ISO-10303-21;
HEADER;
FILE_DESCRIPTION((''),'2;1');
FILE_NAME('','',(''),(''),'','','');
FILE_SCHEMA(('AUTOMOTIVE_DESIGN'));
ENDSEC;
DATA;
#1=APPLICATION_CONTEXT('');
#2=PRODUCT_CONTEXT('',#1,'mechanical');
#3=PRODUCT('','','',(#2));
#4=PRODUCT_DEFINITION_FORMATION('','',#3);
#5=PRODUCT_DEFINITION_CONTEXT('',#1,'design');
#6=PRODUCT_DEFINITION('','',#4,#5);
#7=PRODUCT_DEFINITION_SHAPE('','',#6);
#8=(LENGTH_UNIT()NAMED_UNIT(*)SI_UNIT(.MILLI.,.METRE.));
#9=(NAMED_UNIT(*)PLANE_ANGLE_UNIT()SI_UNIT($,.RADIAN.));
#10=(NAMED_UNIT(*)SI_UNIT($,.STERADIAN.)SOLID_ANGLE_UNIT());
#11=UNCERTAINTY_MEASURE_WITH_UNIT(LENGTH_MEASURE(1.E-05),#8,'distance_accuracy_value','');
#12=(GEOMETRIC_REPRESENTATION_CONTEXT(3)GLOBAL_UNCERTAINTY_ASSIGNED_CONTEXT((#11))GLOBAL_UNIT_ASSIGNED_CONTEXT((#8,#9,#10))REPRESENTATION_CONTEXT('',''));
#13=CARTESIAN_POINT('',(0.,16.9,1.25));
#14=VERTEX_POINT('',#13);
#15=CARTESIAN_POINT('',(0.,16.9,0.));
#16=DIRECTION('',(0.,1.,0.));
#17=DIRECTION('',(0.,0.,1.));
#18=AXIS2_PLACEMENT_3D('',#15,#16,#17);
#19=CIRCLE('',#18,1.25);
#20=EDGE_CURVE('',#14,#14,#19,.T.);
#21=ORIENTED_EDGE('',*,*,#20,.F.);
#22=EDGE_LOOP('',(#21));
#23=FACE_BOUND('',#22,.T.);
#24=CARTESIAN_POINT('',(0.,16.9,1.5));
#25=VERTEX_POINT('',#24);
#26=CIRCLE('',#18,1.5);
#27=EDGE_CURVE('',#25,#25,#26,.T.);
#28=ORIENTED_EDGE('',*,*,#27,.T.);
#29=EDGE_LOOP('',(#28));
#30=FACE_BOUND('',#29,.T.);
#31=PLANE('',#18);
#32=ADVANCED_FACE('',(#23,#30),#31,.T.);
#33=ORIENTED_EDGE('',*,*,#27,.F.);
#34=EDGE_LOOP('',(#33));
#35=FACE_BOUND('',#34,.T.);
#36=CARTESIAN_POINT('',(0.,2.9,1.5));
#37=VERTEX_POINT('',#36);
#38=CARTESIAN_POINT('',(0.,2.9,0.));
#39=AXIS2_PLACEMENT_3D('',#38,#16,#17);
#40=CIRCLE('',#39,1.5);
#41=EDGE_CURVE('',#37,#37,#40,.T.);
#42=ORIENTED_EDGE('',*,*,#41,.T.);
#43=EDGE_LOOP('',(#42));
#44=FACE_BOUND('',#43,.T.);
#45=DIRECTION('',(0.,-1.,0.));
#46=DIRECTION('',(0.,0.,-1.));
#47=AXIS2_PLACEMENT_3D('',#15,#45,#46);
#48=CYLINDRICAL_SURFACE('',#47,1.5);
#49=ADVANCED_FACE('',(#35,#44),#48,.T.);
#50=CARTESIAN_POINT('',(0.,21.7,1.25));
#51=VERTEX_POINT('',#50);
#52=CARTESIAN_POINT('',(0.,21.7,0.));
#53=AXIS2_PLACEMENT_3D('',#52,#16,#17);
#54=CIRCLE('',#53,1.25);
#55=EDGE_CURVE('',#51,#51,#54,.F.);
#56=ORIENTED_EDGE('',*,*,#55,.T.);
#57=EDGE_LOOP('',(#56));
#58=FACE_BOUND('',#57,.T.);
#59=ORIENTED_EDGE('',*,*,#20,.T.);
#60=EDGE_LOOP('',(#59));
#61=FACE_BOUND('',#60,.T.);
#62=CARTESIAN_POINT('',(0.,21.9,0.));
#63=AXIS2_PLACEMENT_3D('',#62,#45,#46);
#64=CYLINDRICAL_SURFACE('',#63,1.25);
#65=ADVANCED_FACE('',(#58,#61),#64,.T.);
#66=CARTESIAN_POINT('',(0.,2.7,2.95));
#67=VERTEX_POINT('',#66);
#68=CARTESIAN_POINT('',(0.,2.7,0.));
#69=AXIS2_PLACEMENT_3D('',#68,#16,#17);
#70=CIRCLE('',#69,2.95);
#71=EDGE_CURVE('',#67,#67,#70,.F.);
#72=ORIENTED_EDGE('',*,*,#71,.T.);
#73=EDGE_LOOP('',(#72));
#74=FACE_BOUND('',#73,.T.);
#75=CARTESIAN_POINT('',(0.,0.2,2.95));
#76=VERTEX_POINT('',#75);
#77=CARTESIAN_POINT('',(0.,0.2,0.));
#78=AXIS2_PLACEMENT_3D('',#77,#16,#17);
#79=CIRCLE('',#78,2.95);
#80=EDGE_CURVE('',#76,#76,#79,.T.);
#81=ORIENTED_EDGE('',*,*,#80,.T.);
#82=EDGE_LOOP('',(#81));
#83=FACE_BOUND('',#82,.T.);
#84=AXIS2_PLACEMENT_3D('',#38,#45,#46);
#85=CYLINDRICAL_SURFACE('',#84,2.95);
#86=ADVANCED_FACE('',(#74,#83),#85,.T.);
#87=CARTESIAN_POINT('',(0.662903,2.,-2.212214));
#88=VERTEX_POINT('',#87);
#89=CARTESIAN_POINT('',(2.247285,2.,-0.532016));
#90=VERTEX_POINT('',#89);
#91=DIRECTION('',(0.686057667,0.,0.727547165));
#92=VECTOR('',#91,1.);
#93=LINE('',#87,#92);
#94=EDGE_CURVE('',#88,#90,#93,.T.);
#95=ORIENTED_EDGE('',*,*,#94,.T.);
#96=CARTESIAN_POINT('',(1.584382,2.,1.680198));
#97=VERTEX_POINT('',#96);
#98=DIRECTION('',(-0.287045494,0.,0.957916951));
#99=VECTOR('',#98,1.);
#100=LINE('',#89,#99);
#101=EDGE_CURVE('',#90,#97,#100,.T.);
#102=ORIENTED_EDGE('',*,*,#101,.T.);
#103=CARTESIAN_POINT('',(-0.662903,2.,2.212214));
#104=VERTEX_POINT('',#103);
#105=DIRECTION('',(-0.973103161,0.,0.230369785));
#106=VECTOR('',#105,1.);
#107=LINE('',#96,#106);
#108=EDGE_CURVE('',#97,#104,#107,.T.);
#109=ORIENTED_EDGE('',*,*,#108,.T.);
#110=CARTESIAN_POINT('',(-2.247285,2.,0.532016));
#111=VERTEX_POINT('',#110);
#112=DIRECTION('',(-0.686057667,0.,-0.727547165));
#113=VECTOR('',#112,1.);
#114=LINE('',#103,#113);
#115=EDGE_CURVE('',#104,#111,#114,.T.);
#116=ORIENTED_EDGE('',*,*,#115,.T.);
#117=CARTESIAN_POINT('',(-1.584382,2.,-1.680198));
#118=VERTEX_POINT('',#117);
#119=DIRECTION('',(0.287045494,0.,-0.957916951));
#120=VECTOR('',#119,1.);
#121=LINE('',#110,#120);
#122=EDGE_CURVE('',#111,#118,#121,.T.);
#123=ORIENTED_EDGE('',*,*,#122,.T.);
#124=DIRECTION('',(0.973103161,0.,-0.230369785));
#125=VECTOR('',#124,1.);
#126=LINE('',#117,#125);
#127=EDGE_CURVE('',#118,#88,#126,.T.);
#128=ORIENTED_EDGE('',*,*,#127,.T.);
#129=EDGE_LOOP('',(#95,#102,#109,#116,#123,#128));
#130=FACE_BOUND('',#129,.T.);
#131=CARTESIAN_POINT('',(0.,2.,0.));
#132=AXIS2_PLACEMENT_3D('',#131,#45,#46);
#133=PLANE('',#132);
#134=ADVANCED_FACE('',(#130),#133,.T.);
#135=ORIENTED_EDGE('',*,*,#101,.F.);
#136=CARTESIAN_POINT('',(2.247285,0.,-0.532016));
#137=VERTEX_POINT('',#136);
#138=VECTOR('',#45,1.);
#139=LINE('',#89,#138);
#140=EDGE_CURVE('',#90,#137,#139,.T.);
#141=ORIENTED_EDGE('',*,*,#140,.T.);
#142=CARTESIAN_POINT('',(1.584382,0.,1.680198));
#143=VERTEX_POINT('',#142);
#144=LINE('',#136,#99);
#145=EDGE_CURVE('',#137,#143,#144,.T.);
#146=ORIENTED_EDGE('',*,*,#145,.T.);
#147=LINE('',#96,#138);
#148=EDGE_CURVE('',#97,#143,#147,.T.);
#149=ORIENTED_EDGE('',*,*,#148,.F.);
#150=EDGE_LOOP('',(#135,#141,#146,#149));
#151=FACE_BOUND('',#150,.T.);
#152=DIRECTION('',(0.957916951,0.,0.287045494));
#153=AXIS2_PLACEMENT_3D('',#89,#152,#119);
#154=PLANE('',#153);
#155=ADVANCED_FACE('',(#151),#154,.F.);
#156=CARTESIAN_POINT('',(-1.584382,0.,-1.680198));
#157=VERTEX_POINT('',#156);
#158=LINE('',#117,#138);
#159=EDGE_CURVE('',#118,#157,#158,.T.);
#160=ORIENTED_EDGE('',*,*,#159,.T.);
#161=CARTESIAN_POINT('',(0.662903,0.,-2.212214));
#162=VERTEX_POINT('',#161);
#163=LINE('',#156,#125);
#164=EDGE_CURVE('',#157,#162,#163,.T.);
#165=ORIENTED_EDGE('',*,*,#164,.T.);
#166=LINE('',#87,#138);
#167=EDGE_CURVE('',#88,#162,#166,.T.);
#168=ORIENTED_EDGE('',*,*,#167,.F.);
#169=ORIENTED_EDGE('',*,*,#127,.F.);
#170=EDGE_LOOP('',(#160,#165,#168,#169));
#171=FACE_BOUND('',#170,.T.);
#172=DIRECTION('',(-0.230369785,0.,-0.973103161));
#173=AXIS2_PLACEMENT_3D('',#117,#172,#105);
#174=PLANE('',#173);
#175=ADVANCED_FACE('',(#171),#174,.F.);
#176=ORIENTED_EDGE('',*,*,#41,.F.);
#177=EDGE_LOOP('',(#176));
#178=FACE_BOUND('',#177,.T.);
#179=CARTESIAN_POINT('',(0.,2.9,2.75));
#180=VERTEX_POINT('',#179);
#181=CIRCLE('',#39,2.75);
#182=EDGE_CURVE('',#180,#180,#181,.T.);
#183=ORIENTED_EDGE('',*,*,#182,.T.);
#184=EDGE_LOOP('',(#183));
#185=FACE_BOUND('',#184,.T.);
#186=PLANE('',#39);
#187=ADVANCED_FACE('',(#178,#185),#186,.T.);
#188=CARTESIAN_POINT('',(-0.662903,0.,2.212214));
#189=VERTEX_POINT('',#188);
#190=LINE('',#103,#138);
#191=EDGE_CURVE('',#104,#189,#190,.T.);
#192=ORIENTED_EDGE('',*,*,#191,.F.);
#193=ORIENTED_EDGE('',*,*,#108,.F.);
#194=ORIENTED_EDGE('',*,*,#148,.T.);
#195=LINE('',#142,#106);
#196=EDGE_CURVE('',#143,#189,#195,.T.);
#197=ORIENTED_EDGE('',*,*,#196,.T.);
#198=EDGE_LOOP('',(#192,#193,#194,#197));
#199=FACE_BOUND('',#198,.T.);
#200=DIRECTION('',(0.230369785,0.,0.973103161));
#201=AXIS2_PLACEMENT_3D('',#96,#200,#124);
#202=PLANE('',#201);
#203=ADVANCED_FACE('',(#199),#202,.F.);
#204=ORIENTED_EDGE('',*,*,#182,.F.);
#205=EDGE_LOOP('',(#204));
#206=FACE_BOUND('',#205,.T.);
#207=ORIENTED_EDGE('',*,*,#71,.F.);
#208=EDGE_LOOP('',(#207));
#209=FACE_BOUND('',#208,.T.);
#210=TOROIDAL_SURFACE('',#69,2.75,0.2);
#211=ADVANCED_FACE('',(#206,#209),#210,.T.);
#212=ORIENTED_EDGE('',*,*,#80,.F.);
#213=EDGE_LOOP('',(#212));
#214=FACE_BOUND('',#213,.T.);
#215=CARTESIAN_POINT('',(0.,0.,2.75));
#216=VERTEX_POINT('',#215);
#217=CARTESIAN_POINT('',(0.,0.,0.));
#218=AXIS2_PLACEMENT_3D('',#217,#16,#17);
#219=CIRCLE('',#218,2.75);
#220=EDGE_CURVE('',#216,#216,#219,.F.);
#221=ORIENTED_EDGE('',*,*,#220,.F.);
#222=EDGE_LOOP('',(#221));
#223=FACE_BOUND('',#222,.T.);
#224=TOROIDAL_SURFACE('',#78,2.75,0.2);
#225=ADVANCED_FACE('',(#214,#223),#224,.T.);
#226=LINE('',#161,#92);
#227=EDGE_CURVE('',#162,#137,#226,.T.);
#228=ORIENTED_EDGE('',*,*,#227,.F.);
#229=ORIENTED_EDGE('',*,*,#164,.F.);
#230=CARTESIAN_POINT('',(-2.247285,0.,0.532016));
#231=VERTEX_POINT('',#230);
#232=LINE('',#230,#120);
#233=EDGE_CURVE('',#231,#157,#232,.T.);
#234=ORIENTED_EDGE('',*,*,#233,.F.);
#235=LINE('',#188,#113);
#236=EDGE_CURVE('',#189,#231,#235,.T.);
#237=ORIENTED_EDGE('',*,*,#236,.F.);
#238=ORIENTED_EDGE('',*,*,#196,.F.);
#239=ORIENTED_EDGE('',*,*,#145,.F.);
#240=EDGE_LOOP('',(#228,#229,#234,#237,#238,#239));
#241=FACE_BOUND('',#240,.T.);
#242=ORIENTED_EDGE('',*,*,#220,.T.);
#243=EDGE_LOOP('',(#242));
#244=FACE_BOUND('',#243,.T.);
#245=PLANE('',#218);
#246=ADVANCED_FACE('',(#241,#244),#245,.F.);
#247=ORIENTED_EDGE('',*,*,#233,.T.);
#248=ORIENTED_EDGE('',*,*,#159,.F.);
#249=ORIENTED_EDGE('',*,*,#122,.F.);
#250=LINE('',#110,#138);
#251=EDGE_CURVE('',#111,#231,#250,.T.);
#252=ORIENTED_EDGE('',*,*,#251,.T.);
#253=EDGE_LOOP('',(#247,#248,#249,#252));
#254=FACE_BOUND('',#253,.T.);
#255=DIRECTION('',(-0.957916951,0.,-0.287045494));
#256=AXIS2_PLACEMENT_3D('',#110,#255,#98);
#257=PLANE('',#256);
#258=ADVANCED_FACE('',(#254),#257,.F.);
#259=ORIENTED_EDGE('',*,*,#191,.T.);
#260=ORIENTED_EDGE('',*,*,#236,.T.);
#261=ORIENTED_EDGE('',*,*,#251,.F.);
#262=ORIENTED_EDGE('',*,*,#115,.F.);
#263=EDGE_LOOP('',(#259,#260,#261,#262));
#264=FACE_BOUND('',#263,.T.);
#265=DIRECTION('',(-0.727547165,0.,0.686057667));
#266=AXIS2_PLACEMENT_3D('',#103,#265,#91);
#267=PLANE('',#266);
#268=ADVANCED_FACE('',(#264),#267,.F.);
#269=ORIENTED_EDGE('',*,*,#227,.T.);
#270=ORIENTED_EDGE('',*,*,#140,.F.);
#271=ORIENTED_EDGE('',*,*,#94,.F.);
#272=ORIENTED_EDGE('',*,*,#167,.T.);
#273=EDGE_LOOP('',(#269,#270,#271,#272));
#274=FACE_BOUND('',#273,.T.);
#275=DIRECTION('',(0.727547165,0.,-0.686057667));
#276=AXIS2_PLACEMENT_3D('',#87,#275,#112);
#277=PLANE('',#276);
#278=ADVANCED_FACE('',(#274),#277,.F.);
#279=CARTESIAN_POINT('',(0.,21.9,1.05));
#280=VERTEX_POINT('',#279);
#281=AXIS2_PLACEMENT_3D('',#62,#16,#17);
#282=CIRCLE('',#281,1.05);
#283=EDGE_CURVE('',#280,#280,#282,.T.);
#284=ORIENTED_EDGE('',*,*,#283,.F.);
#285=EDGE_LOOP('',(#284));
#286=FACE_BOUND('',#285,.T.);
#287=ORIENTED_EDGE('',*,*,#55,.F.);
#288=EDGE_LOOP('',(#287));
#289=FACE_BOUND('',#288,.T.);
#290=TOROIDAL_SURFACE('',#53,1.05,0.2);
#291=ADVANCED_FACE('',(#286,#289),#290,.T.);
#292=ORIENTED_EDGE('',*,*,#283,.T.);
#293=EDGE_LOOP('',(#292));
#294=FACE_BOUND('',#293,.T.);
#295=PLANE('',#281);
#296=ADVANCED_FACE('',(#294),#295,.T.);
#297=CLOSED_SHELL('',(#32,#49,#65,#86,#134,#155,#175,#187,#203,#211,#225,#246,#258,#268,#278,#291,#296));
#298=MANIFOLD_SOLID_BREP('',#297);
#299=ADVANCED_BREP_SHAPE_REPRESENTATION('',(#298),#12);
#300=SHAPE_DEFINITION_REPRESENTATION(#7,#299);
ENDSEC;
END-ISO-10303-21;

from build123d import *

# Parameters (mm, degrees)
SKETCH_1_R          = 2.95
EXTRUDE_1_DEPTH     = 2.9
SKETCH_2_R          = 1.5
EXTRUDE_2_DEPTH     = 14
SKETCH_3_R          = 1.25
EXTRUDE_3_DEPTH     = 5
CUT_EXTRUDE_1_DEPTH = 2
FILLET_1_R          = 0.2


with BuildPart() as part:
    # 草图1 → 凸台-拉伸1 (new body)
    with BuildSketch(Plane(origin=(0, 0, 0), x_dir=(1, 0, 0), z_dir=(0, 1, 0))):
        with Locations(Location((0, 0, 0), (0, 0, 270))):
            Circle(SKETCH_1_R)
    extrude(amount=EXTRUDE_1_DEPTH)

    # 草图2 → 凸台-拉伸2 (add)
    with BuildSketch(Plane(origin=(0, 2.9, 0), x_dir=(1, 0, 0), z_dir=(0, 1, 0))):
        with Locations(Location((0, 0, 0), (0, 0, 270))):
            Circle(SKETCH_2_R)
    extrude(amount=EXTRUDE_2_DEPTH)

    # 草图3 → 凸台-拉伸3 (add)
    with BuildSketch(Plane(origin=(0, 16.9, 0), x_dir=(1, 0, 0), z_dir=(0, 1, 0))):
        with Locations(Location((0, 0, 0), (0, 0, 270))):
            Circle(SKETCH_3_R)
    extrude(amount=EXTRUDE_3_DEPTH)

    # 草图4 → 切除-拉伸1 (cut)
    with BuildSketch(Plane.XZ):
        Polygon((2.247285488, -0.53201623), (1.584382314, 1.680198207), (-0.662903174, 2.212214437), (-2.247285488, 0.53201623), (-1.584382314, -1.680198207), (0.662903174, -2.212214437), align=None)
    extrude(amount=-CUT_EXTRUDE_1_DEPTH, mode=Mode.SUBTRACT)

    # 圆角1
    fillet_1_edges = [part.edges().sort_by_distance(p)[0] for p in [
        (0, 21.9, -1.25),
        (0, 0, -2.95),
        (0, 2.9, -2.95),
    ]]
    fillet(fillet_1_edges, radius=FILLET_1_R)


solid = part.part
